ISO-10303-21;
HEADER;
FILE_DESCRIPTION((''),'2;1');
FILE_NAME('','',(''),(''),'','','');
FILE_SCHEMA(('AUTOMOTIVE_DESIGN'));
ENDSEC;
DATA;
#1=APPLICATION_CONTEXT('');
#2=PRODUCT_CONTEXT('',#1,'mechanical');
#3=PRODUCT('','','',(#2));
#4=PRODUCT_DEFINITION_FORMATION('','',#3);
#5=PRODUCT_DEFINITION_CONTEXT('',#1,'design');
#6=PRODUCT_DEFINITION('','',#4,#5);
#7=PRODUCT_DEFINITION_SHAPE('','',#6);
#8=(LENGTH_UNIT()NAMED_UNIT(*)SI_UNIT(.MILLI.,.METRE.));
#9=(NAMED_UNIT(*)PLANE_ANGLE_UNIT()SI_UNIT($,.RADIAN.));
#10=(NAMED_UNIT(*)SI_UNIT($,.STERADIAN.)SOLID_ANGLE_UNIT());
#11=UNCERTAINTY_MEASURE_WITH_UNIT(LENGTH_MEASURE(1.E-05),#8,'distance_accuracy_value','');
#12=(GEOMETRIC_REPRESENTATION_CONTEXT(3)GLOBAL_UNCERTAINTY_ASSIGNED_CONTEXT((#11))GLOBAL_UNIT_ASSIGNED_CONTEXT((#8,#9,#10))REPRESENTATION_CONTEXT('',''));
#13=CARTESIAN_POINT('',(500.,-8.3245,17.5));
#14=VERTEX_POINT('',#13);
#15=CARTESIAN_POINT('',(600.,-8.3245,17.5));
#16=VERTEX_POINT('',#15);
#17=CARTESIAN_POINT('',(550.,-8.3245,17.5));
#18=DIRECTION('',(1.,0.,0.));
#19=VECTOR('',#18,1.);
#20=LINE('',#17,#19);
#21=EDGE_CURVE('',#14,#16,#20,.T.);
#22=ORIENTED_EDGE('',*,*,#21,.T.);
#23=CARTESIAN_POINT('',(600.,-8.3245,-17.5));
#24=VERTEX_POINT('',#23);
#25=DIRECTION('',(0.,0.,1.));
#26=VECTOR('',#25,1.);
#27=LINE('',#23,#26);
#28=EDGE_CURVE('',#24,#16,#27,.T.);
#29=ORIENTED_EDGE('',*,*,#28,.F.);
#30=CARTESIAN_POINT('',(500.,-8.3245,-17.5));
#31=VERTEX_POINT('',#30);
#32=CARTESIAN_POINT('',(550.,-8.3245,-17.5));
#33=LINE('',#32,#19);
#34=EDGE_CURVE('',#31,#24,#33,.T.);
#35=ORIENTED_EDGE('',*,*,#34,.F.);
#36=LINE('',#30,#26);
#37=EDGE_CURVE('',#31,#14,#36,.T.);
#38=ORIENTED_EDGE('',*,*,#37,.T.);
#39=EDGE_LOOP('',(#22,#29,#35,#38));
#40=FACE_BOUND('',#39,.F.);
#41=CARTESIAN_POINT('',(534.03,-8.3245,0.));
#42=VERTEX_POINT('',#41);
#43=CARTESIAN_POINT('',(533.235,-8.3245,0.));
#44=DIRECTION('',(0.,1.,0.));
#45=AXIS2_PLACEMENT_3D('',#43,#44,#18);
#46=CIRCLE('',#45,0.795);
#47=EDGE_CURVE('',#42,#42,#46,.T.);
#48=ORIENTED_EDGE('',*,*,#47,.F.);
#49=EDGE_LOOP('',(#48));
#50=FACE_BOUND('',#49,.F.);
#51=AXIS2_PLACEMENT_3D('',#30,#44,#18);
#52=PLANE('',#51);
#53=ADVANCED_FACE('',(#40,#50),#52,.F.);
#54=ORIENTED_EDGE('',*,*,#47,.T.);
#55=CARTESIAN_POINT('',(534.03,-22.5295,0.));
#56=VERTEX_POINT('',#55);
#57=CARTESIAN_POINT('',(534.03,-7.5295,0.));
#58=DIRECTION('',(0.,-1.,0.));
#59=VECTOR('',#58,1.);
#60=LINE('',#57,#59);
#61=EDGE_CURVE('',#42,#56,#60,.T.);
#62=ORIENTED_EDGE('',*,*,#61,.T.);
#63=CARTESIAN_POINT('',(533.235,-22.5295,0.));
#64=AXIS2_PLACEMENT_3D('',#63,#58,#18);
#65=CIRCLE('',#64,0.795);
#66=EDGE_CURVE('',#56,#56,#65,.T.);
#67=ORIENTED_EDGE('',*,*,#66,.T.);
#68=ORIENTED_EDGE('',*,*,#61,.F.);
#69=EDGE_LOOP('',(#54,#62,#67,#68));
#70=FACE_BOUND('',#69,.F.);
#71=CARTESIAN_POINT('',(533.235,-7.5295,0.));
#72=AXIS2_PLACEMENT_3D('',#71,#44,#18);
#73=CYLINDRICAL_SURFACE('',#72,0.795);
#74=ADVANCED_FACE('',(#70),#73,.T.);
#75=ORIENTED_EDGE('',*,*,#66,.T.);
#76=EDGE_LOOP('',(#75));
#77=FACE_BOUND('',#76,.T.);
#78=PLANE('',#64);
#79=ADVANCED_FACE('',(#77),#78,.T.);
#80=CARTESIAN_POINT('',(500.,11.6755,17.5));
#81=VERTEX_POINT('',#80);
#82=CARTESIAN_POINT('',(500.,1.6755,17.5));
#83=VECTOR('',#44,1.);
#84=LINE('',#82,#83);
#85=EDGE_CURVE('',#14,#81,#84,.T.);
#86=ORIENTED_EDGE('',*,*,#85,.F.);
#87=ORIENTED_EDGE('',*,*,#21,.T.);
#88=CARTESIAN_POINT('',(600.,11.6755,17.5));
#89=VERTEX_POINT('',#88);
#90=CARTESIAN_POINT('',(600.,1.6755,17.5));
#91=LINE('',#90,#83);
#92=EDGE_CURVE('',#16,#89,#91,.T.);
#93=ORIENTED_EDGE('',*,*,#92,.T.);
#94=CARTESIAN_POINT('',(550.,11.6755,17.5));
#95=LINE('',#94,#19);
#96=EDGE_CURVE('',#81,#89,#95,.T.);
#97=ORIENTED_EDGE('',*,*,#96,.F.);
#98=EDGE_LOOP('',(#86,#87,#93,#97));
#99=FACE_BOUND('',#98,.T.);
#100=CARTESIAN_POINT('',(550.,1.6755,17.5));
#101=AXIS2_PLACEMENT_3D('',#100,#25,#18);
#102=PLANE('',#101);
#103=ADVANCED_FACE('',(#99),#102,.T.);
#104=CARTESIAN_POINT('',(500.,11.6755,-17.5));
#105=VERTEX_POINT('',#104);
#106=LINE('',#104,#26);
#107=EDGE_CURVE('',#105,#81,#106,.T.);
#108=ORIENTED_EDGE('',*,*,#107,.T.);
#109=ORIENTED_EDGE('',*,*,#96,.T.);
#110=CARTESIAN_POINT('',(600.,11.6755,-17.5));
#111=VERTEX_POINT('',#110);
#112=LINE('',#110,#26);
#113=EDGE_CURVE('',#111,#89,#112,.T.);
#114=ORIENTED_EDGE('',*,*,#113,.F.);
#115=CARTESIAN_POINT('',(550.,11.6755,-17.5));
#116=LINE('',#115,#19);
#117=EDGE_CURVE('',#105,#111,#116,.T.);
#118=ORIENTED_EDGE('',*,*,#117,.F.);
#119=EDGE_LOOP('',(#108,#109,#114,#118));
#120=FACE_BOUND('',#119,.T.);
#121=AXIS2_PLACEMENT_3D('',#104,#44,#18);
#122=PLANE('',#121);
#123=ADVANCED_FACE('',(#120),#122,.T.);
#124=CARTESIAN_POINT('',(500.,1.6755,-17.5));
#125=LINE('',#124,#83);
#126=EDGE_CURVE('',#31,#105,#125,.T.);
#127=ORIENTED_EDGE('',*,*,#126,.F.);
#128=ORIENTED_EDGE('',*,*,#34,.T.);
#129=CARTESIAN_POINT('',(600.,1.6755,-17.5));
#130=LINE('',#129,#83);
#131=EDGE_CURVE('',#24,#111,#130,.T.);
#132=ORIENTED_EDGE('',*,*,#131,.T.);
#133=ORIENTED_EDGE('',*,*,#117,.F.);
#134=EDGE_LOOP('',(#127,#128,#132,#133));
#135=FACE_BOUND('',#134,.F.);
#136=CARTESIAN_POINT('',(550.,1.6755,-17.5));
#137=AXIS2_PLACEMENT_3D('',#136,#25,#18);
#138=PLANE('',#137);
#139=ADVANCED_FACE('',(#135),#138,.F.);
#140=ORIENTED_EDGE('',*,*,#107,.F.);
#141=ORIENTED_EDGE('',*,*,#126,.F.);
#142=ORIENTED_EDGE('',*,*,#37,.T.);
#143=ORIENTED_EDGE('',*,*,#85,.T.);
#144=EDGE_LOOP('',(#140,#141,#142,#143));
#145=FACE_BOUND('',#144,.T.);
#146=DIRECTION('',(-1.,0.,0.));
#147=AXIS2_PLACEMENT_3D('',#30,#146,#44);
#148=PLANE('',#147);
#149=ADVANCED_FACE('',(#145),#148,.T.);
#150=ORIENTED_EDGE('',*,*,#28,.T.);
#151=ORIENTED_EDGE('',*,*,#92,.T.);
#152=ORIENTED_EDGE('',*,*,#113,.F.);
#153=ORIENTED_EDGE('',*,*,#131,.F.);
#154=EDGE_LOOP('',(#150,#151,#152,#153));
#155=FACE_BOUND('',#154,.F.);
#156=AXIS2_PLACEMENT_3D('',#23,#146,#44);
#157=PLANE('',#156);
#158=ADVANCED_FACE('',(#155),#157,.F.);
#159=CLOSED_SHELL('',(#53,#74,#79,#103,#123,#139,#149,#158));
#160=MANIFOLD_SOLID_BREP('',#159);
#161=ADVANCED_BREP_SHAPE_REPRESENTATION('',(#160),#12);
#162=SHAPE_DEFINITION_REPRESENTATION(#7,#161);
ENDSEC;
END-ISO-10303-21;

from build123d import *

# Parameters (mm, degrees)
BOX_W             = 100
BOX_H             = 20
BOX_DEPTH         = 35
CYLINDER001_R     = 0.795
CYLINDER001_DEPTH = 15


with BuildPart() as cube:
    # Box → Box (new body)
    with BuildSketch(Plane(origin=(500, -8.3245, -17.5), x_dir=(1, 0, 0), z_dir=(0, 0, 1))):
        with Locations((50, 10)):
            Rectangle(BOX_W, BOX_H)
    extrude(amount=BOX_DEPTH)


with BuildPart() as fusion:
    # Cylinder001 → Cylinder001 (new body)
    with BuildSketch(Plane(origin=(533.235, -7.5295, 0), x_dir=(1, 0, 0), z_dir=(0, -1, 0))):
        Circle(CYLINDER001_R)
    extrude(amount=CYLINDER001_DEPTH)

    # Fusion: union Cube
    add(cube.part)


solid = fusion.part
